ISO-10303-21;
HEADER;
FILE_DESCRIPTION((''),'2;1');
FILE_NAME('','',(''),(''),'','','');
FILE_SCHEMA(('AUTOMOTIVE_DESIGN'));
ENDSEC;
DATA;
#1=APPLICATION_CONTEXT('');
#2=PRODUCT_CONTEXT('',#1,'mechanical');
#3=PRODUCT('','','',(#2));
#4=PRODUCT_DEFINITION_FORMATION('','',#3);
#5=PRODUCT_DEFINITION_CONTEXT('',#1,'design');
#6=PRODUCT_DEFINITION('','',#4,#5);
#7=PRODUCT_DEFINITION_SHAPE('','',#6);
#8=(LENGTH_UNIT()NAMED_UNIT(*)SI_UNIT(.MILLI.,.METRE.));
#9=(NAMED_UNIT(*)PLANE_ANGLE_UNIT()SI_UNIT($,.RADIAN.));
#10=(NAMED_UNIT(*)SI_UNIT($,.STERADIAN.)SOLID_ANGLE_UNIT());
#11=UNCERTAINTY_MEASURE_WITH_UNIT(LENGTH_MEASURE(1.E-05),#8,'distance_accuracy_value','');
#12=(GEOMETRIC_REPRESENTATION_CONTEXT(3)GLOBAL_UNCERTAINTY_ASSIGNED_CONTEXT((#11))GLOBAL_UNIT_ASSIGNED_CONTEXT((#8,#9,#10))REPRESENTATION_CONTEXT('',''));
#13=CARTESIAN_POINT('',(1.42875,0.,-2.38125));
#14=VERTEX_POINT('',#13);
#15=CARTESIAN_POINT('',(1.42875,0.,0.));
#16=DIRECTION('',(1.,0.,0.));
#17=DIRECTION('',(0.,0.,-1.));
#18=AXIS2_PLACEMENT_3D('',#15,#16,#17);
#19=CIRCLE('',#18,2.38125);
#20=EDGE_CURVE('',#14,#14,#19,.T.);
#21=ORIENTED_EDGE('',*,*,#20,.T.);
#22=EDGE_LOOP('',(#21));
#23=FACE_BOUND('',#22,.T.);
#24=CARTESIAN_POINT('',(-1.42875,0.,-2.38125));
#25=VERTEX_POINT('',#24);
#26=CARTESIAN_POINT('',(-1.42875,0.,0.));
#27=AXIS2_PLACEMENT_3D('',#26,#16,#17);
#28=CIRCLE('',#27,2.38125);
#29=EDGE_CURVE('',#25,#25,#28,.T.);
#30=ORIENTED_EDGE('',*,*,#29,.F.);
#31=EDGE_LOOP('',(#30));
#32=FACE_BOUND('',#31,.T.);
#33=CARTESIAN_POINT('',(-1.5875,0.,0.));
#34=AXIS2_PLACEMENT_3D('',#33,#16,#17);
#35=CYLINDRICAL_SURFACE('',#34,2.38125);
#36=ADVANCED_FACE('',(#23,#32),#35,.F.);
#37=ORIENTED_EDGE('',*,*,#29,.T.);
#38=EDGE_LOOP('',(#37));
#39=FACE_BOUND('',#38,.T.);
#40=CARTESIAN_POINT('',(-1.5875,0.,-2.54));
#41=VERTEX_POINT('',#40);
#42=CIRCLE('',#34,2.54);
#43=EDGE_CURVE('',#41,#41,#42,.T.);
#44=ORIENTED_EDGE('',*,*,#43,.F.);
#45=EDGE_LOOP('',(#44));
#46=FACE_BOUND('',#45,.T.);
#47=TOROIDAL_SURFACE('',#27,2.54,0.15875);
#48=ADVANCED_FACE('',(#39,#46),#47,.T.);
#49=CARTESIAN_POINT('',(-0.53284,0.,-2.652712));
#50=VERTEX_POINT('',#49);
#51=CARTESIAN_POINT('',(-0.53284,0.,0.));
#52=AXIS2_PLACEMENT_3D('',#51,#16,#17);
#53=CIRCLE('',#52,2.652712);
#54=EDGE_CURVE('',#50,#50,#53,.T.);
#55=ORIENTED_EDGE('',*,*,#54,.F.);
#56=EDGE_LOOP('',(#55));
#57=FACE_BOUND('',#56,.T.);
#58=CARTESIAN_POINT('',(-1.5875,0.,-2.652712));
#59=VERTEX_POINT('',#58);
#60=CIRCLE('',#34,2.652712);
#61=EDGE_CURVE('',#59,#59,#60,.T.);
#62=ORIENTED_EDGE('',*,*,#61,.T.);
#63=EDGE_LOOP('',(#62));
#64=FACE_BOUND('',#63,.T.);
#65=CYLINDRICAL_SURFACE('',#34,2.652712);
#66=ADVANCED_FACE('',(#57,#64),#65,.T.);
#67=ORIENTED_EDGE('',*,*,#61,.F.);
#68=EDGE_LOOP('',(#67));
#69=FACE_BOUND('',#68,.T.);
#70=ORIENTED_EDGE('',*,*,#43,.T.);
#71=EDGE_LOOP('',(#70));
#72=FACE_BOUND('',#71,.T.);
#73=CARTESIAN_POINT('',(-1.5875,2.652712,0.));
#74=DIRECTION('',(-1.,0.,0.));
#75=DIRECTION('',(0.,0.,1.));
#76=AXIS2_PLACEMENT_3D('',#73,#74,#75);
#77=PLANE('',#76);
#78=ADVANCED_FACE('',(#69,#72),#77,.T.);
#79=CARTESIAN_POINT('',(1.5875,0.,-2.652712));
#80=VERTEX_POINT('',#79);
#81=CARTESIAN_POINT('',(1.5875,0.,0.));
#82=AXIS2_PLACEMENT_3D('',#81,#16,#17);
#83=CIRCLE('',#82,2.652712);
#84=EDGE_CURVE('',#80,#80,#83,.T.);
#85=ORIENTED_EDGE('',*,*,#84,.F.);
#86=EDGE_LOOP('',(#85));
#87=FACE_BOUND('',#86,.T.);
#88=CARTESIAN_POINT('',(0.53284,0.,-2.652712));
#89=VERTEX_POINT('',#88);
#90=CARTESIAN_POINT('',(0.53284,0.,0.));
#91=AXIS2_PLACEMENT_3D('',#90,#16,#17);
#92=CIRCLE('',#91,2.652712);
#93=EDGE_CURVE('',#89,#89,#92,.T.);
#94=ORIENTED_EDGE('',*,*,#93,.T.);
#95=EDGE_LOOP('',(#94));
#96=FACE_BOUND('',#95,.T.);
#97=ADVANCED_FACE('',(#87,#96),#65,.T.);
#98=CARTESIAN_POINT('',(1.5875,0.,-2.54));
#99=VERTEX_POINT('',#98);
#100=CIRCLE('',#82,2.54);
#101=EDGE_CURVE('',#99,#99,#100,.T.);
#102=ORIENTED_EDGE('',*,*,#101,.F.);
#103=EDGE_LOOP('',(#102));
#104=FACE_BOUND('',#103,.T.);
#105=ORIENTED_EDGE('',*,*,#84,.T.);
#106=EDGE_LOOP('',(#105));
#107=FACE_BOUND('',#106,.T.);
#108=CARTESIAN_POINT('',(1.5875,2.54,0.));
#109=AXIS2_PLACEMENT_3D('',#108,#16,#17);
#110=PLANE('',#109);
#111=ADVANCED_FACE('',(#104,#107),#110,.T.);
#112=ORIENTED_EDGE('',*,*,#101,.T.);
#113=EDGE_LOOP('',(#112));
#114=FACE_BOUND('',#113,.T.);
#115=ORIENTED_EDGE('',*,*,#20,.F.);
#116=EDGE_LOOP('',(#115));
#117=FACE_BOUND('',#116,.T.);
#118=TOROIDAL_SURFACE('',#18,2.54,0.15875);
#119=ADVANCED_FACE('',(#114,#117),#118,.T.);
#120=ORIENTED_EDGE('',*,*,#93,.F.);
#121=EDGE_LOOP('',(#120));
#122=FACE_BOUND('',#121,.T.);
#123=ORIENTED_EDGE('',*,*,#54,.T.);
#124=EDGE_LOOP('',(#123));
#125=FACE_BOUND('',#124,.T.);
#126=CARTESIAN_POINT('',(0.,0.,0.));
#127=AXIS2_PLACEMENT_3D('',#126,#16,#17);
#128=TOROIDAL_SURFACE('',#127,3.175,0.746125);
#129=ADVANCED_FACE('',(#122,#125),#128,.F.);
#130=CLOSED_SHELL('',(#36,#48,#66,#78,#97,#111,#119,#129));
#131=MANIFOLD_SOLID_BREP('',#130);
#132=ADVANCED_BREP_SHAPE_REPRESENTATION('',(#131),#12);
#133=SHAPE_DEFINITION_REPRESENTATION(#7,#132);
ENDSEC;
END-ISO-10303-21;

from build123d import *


with BuildPart() as part:
    # Sketch1 → Revolve1 (revolve)
    with BuildSketch(Plane.XY, mode=Mode.PRIVATE) as revolve1_sk:
        with BuildLine():
            Line((-1.42875, 2.38125), (1.42875, 2.38125))
            ThreePointArc((1.42875, 2.38125), (1.541003202, 2.427746798), (1.5875, 2.54))
            Line((1.5875, 2.54), (1.5875, 2.6527125))
            Line((1.5875, 2.6527125), (0.532839829, 2.6527125))
            ThreePointArc((0.532839829, 2.6527125), (0, 2.428875), (-0.532839829, 2.6527125))
            Line((-0.532839829, 2.6527125), (-1.5875, 2.6527125))
            Line((-1.5875, 2.6527125), (-1.5875, 2.54))
            ThreePointArc((-1.5875, 2.54), (-1.541003202, 2.427746798), (-1.42875, 2.38125))
        make_face()
    revolve(revolve1_sk.sketch.rotate(Axis((-1.5875, 0, 0), (1, 0, 0)), 270), axis=Axis((-1.5875, 0, 0), (1, 0, 0)))


solid = part.part
